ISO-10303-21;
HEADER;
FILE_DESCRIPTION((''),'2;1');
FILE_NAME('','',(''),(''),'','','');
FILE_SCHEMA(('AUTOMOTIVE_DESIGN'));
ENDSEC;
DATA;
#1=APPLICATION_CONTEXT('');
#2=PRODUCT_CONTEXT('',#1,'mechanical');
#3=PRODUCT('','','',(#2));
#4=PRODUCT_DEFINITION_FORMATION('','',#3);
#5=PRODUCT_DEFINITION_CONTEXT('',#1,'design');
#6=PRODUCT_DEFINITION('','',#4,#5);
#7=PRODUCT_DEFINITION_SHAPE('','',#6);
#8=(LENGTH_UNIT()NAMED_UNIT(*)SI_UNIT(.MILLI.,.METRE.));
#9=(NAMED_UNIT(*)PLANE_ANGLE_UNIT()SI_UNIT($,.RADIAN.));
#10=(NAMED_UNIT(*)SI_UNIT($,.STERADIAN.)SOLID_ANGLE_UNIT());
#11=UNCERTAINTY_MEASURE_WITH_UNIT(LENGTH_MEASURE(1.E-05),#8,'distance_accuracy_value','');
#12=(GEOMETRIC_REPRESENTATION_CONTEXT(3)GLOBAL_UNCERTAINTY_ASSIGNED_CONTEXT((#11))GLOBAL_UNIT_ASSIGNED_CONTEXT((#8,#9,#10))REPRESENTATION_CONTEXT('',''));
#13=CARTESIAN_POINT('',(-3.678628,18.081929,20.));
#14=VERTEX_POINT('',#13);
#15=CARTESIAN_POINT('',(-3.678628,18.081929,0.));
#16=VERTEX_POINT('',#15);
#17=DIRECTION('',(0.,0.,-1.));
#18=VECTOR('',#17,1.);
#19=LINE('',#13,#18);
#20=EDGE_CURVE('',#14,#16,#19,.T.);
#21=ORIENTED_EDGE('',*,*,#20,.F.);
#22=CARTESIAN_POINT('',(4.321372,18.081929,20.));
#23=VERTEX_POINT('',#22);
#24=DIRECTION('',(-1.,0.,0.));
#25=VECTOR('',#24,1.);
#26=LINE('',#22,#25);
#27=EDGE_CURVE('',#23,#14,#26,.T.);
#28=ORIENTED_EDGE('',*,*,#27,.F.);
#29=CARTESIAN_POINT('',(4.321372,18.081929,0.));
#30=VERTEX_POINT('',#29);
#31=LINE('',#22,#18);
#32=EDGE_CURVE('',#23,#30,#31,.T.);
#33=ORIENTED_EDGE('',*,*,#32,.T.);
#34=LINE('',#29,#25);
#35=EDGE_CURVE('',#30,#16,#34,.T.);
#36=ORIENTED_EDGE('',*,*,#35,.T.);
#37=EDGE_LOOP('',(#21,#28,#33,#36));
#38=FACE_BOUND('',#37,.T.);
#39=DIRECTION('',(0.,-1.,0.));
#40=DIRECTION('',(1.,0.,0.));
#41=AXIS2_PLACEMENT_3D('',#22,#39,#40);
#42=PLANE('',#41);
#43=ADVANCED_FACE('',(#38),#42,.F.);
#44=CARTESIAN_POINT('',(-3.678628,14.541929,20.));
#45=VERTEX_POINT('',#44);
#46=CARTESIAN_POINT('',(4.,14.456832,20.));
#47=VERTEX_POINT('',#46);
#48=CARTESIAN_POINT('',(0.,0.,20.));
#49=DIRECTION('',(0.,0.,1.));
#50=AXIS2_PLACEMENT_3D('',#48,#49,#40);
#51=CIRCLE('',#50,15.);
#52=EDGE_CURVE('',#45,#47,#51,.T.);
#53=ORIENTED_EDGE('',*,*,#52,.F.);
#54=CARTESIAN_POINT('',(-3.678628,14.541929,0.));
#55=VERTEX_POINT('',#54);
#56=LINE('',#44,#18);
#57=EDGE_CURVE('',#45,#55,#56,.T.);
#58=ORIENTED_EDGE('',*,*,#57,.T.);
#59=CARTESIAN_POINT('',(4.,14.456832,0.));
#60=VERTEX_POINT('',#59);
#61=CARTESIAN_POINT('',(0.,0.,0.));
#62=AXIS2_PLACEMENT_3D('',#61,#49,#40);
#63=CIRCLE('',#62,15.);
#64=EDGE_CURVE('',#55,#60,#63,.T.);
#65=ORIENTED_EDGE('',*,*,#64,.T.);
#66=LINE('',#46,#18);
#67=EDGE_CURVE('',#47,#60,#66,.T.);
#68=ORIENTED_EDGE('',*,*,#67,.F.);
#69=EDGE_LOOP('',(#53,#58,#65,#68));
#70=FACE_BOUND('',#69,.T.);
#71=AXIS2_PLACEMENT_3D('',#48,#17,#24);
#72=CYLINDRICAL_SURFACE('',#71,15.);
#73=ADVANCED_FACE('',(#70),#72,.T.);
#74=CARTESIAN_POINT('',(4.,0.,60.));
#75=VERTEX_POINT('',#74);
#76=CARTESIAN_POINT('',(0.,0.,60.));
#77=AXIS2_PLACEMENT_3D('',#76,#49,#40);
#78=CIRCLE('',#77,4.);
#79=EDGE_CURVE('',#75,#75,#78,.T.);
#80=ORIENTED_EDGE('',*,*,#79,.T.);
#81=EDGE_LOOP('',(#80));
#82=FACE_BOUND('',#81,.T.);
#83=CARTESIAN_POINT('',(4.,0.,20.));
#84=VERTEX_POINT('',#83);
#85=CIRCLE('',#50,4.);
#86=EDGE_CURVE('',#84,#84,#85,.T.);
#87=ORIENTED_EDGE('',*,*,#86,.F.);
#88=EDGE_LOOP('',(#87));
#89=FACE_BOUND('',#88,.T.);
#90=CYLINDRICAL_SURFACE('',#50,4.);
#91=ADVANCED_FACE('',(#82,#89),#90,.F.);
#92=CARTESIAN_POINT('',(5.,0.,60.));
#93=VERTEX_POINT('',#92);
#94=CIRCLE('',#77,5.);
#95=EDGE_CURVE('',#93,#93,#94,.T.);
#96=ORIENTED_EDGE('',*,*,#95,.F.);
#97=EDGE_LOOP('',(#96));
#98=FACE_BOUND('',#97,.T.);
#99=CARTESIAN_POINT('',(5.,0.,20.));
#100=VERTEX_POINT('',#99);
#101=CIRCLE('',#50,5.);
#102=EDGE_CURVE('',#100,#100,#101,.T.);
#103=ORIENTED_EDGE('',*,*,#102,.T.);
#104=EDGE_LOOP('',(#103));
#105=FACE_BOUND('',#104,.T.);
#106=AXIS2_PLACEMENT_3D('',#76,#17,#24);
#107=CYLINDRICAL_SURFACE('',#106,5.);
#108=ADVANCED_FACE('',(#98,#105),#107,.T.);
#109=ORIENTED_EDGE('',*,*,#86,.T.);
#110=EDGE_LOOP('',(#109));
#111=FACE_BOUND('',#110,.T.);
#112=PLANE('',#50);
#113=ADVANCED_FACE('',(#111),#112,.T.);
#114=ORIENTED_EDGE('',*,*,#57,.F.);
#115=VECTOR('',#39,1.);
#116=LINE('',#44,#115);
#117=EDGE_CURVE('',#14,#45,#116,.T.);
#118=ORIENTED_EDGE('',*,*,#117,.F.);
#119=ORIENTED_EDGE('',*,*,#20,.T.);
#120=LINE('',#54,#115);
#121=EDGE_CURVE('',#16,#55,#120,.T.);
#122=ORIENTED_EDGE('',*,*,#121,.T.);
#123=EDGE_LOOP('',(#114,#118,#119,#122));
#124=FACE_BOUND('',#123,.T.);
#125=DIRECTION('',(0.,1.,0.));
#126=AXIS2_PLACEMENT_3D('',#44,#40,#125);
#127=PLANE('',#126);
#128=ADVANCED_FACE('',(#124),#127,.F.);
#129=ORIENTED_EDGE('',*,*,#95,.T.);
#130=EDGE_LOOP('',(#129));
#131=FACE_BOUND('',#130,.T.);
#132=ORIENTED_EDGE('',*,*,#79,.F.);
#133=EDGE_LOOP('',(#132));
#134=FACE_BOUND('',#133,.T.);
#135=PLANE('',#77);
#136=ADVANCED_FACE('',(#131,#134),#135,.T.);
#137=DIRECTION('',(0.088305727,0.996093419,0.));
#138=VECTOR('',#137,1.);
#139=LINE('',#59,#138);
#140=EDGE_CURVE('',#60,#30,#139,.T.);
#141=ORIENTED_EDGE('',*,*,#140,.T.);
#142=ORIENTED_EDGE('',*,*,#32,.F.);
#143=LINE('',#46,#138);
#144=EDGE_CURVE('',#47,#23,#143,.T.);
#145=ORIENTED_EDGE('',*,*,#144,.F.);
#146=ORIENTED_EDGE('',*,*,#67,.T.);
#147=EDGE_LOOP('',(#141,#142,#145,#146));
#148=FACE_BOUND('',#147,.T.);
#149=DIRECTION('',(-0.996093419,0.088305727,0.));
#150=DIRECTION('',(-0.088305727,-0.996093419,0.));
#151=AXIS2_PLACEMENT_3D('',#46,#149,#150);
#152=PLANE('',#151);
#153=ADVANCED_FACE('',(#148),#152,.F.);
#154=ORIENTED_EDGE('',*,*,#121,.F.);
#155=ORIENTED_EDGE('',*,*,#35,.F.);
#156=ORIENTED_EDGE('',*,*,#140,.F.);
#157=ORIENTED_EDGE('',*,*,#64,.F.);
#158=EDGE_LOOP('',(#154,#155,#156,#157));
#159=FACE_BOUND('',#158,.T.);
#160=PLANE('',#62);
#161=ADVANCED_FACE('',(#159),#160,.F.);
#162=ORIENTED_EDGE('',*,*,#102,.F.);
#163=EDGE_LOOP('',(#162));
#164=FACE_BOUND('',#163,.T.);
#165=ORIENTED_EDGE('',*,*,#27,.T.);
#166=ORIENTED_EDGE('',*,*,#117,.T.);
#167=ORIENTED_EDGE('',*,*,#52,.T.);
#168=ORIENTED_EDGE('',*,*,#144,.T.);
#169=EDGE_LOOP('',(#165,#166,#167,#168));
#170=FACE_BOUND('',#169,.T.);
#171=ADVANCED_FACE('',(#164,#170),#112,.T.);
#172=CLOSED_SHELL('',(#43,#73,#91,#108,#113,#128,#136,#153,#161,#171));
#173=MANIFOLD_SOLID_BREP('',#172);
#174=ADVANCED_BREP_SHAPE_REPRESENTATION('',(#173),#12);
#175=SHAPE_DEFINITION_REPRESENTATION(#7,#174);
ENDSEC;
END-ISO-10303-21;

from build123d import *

# Parameters (mm, degrees)
BOSS_EXTRUDE2_DEPTH = 20
SKETCH2_R           = 5
BOSS_EXTRUDE3_DEPTH = 40
SKETCH8_R           = 4
CUT_EXTRUDE1_DEPTH  = 40


with BuildPart() as part:
    # Sketch1 → Boss-Extrude2 (new body)
    with BuildSketch(Plane.XY):
        with BuildLine():
            Line((-3.678627735, 14.541928964), (-3.678627735, 18.081928964))
            Line((-3.678627735, 18.081928964), (4.321372265, 18.081928964))
            Line((4.321372265, 18.081928964), (4, 14.456832295))
            ThreePointArc((4, 14.456832295), (-0.166223927, -14.999078959), (-3.678627735, 14.541928964))
        make_face()
    extrude(amount=BOSS_EXTRUDE2_DEPTH)

    # Sketch2 → Boss-Extrude3 (add)
    with BuildSketch(Plane.XY.offset(20)):
        Circle(SKETCH2_R)
    extrude(amount=BOSS_EXTRUDE3_DEPTH)

    # Sketch8 → Cut-Extrude1 (cut)
    with BuildSketch(Plane.XY.offset(60)):
        Circle(SKETCH8_R)
    extrude(amount=-CUT_EXTRUDE1_DEPTH, mode=Mode.SUBTRACT)


solid = part.part
